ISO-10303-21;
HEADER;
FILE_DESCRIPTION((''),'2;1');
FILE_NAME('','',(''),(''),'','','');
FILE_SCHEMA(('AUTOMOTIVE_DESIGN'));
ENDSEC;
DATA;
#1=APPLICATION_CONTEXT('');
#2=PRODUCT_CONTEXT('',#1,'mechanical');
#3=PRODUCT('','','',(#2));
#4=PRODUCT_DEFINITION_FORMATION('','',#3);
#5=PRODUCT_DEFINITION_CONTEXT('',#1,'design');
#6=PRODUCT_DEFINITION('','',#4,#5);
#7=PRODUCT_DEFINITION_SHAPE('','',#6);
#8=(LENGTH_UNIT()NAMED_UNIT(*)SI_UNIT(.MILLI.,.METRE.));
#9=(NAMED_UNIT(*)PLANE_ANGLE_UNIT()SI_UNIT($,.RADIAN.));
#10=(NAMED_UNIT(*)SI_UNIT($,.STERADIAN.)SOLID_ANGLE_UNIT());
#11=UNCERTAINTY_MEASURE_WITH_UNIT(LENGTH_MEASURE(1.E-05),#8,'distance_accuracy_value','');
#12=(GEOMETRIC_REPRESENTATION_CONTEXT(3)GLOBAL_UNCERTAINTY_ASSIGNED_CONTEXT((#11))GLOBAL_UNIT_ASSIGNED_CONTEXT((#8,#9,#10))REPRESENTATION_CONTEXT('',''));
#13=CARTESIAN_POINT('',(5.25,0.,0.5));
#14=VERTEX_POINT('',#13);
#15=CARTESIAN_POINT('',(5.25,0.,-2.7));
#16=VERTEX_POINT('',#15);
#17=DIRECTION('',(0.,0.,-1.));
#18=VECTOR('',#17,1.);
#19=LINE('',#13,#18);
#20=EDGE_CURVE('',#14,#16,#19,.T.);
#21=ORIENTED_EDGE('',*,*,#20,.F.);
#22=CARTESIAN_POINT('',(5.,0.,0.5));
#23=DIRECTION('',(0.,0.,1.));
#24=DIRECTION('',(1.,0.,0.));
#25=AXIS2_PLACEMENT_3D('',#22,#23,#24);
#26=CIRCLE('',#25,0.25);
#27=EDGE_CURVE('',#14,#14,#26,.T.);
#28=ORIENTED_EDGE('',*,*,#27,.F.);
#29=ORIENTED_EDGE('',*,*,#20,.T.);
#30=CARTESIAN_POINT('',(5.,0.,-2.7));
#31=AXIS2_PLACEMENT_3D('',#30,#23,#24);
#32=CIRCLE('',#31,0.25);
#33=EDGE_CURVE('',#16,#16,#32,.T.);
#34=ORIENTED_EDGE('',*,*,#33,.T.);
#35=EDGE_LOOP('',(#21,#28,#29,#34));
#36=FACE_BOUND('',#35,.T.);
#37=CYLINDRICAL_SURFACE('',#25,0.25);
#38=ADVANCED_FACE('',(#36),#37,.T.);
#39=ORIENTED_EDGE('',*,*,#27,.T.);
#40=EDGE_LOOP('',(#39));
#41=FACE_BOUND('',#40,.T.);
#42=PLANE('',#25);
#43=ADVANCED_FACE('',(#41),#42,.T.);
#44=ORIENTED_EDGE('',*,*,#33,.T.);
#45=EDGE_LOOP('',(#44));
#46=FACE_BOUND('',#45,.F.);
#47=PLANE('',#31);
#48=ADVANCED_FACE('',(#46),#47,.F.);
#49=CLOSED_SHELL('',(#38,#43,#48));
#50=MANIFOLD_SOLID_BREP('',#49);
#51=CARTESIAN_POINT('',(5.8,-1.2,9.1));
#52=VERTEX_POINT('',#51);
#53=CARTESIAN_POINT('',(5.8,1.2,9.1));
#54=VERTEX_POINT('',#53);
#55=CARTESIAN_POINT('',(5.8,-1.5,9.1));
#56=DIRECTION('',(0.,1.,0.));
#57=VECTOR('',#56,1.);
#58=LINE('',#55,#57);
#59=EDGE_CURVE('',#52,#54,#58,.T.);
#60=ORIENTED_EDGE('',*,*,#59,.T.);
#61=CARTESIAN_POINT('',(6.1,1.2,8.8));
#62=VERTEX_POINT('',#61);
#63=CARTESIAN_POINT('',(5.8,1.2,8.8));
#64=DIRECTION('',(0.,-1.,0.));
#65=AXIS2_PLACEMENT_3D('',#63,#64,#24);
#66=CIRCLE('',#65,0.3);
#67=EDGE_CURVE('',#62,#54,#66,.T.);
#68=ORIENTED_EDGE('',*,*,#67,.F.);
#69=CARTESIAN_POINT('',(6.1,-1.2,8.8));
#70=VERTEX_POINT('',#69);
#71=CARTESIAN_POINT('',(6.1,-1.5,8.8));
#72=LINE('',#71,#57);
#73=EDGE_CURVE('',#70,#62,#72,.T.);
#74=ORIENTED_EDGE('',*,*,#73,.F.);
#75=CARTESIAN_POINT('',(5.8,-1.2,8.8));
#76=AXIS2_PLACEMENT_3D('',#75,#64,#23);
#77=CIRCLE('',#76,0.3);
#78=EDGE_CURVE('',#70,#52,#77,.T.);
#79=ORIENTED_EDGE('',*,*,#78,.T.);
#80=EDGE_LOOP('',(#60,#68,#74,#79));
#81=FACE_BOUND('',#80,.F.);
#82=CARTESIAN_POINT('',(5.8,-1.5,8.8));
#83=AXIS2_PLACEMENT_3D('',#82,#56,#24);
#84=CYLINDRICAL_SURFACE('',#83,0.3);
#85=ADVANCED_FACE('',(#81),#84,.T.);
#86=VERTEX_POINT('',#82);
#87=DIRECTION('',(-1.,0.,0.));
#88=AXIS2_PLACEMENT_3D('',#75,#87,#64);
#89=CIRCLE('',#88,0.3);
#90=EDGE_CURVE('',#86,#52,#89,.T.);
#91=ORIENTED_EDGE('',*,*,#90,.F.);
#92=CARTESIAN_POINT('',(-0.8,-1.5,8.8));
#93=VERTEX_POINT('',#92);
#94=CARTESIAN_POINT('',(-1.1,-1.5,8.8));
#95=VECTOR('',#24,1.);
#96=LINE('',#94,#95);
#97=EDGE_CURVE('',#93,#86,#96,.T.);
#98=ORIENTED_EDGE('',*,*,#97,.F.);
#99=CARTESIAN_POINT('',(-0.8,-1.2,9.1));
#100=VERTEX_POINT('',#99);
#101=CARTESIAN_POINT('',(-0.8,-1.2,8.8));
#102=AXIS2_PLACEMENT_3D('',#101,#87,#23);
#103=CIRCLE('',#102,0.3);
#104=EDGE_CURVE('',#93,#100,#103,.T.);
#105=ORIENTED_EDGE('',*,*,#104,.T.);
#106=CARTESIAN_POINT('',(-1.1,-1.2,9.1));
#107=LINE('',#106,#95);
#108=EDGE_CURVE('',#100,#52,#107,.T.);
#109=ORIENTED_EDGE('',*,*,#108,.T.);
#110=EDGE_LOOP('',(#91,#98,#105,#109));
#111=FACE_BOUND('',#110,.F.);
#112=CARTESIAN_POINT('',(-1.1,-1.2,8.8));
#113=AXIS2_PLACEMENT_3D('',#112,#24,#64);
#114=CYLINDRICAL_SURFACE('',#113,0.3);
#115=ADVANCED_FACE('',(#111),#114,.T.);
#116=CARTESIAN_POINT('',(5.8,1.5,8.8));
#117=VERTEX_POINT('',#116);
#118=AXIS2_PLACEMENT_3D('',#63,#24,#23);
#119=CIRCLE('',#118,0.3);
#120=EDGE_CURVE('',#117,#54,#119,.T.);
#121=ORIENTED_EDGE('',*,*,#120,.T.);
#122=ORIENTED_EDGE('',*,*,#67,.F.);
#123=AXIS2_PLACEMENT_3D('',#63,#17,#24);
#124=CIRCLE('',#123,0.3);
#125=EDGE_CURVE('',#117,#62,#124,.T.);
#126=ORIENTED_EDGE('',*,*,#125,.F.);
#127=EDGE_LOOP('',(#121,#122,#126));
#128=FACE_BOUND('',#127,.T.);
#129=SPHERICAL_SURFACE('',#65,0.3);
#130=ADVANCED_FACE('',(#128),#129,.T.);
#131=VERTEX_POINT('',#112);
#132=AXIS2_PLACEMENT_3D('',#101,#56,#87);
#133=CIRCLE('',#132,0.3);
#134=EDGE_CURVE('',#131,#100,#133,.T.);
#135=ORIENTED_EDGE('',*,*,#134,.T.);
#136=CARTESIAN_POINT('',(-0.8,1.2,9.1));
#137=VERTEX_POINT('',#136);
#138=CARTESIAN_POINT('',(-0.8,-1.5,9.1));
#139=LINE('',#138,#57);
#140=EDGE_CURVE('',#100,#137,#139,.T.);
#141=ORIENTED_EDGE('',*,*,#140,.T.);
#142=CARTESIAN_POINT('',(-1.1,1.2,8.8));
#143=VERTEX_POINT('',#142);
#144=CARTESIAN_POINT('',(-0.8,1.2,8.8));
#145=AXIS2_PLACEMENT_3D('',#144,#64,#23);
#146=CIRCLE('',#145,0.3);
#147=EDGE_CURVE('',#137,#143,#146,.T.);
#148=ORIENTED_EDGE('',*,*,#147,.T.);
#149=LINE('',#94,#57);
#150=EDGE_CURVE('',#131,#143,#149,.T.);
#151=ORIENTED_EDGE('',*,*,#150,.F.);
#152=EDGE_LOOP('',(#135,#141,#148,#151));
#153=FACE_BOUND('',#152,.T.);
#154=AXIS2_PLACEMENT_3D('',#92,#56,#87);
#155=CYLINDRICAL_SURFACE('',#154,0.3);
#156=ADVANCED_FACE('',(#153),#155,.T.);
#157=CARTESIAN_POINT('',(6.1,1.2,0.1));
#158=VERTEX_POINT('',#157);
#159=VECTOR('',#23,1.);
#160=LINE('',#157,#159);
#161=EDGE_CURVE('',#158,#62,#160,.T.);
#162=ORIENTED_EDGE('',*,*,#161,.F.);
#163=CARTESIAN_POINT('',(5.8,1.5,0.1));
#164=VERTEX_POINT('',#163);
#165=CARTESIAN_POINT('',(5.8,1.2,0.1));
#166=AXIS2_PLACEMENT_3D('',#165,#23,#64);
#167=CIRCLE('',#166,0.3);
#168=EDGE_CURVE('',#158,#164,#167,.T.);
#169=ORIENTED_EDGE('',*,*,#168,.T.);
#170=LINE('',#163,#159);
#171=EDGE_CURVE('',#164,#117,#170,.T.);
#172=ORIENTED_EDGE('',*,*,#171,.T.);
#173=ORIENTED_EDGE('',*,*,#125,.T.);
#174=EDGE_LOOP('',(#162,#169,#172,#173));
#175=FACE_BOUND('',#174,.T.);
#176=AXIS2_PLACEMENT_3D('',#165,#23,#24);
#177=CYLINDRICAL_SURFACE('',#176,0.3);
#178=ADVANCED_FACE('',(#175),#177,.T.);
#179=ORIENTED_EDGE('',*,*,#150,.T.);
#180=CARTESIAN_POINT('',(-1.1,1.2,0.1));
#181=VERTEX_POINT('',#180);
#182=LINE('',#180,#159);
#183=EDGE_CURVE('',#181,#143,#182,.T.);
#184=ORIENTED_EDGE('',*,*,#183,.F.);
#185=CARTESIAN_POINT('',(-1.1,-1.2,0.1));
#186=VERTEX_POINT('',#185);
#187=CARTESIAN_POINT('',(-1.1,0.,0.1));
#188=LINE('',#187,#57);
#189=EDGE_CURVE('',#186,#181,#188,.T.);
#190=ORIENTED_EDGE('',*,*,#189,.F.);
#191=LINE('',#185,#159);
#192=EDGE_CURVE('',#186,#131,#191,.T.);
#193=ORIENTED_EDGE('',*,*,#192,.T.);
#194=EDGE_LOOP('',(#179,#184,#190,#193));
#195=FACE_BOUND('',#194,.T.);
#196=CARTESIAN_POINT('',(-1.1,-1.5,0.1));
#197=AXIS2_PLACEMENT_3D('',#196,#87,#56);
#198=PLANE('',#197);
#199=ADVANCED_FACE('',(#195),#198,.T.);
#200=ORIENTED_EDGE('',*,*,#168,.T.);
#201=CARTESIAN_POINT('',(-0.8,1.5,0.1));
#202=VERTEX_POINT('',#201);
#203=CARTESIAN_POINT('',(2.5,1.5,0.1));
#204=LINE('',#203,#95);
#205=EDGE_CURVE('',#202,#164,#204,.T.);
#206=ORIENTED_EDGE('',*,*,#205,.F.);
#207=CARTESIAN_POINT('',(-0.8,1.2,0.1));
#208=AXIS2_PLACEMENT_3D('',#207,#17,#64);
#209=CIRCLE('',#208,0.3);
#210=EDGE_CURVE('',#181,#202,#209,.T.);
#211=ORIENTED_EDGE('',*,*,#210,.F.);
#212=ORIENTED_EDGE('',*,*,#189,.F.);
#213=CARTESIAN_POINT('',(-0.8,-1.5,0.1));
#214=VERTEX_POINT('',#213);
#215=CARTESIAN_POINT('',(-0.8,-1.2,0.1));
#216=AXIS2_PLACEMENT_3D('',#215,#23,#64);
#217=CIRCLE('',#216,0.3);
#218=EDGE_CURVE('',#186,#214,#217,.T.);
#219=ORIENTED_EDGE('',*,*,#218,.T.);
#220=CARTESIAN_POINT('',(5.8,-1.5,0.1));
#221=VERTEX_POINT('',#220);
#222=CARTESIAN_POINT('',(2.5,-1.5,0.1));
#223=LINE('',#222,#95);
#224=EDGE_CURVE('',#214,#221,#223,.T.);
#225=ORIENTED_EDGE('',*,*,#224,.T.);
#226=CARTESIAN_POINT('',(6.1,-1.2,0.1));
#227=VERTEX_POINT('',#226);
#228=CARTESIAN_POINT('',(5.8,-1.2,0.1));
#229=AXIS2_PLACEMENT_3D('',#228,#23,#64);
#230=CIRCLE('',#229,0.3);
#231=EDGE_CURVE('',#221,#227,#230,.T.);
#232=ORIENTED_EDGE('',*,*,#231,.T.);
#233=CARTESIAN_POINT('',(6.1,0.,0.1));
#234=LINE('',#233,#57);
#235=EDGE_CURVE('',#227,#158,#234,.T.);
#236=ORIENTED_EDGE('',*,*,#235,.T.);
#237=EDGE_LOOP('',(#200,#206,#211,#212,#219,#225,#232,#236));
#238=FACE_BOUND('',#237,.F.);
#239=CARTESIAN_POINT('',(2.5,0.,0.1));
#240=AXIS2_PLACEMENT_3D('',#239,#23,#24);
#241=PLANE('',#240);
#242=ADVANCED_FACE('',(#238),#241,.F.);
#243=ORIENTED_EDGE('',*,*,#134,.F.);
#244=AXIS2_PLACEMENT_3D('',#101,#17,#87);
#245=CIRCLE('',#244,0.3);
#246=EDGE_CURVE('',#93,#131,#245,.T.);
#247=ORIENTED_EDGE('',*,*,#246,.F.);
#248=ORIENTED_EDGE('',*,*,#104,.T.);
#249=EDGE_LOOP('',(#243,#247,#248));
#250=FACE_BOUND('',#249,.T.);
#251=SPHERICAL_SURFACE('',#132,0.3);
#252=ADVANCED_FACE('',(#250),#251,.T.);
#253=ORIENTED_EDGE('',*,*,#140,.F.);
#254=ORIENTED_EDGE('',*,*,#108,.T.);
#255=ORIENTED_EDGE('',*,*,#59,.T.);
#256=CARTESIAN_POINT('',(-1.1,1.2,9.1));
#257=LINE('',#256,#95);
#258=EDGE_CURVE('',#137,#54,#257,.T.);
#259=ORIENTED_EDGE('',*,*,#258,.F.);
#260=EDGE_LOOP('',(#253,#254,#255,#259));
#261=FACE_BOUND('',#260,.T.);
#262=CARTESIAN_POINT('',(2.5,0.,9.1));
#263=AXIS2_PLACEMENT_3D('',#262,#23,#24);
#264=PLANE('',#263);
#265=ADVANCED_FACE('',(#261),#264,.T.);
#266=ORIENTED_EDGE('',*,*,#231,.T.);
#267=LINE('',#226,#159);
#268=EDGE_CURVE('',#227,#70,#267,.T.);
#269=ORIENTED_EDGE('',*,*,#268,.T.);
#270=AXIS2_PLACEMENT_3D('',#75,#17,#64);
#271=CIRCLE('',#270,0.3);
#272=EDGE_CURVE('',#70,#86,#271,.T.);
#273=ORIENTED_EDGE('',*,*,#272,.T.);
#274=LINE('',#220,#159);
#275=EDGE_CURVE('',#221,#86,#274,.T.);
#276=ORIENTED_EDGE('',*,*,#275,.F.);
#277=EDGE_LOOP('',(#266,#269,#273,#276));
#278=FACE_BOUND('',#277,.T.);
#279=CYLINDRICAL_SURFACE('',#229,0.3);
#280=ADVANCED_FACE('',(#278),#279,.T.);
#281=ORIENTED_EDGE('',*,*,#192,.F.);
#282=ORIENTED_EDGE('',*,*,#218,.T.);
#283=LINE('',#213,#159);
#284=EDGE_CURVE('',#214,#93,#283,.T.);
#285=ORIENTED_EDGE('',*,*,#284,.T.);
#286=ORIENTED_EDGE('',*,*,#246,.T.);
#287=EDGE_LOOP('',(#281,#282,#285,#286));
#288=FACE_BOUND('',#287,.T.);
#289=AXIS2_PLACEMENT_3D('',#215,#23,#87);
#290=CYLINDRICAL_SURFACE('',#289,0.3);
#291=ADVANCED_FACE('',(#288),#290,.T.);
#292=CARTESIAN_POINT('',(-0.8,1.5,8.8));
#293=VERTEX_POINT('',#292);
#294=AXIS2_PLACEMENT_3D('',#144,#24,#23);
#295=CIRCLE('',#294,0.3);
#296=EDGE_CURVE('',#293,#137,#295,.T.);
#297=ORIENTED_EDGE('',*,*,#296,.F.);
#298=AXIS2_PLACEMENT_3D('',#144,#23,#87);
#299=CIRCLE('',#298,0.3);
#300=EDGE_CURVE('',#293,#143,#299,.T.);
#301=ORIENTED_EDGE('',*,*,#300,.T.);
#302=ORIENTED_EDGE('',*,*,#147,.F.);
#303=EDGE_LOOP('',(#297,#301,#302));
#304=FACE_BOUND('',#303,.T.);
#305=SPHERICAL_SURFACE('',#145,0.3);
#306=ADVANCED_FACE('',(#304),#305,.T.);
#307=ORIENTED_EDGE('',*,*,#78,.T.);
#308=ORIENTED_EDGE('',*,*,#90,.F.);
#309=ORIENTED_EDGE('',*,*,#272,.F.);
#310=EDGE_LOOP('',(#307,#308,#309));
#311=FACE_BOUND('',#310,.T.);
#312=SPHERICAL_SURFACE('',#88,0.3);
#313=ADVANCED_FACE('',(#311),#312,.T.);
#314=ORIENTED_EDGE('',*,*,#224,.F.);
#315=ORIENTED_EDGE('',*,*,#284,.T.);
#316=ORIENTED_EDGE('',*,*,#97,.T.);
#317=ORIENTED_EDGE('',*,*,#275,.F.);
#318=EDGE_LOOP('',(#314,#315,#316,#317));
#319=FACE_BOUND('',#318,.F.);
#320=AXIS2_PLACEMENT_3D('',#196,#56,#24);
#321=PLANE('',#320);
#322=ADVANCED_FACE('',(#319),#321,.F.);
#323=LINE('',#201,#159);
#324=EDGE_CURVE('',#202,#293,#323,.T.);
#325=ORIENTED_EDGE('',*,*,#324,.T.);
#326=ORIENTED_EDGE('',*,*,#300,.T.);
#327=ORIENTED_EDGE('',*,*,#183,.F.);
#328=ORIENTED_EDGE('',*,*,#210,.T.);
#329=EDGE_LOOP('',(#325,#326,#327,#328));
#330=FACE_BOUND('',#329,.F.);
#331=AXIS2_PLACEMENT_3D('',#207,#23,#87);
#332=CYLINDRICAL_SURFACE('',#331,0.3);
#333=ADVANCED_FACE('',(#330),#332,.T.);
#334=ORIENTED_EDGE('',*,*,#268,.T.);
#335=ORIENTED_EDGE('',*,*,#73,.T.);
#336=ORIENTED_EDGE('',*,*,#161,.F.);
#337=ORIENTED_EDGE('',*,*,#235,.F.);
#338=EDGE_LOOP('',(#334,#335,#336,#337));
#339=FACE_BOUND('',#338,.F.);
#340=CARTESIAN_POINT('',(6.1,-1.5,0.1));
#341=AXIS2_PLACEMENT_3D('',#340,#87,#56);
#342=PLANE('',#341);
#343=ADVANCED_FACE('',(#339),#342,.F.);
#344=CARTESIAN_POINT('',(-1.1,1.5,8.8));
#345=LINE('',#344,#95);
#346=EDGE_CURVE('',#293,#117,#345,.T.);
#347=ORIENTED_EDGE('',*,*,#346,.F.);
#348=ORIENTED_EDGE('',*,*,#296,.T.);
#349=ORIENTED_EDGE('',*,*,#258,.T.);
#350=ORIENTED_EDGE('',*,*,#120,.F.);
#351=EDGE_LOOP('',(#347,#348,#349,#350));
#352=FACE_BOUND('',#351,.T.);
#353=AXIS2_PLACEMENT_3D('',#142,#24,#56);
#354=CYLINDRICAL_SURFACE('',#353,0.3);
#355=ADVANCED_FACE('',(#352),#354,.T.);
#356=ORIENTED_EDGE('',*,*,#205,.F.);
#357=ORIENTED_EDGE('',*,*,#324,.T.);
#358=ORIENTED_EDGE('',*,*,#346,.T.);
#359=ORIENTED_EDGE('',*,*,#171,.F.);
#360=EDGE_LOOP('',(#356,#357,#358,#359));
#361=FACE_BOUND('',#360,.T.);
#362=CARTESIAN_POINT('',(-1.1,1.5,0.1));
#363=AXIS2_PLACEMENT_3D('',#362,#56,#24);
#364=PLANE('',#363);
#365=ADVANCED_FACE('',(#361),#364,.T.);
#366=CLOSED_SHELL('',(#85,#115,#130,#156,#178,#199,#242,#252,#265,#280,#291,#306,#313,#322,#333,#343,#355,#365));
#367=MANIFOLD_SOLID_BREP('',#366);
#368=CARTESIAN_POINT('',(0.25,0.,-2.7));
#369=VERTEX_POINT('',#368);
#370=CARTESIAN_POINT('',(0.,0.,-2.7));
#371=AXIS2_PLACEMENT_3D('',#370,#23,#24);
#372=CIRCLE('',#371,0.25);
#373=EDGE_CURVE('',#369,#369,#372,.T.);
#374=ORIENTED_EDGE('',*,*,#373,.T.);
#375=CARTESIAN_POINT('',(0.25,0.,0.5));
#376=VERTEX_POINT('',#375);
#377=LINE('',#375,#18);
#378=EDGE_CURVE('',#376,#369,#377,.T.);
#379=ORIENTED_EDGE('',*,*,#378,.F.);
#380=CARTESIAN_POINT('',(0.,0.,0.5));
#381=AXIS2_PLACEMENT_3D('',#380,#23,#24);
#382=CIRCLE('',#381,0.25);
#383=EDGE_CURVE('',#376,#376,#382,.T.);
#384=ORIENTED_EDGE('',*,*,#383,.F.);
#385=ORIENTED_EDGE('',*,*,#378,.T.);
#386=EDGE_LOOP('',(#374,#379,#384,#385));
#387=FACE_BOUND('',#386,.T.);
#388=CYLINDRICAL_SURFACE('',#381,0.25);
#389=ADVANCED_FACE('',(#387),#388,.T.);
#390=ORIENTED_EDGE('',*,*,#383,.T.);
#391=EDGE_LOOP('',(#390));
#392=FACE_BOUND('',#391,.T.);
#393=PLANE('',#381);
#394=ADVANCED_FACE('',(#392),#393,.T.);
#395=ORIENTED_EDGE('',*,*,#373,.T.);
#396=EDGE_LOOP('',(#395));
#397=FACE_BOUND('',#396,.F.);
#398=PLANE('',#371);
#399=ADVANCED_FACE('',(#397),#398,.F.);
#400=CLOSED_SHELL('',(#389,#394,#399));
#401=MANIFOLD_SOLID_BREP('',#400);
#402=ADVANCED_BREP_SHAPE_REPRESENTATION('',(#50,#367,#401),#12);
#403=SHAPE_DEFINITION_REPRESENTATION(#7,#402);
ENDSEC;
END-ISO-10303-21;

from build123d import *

# Parameters (mm, degrees)
SKETCH_W     = 7.2
SKETCH_H     = 3
PAD_DEPTH    = 9
FILLET_R     = 0.3
SKETCH001_R  = 0.25
PAD001_DEPTH = 3.2


with BuildPart() as fillet_body:
    # Sketch → Pad (new body)
    with BuildSketch(Plane.XY.offset(0.1)):
        with Locations((2.5, 0)):
            Rectangle(SKETCH_W, SKETCH_H)
    extrude(amount=PAD_DEPTH)

    # Fillet
    fillet_edges = [fillet_body.edges().sort_by_distance(p)[0] for p in [
        (-1.1, 0, 9.1),
        (-1.1, -1.5, 4.6),
        (2.5, -1.5, 9.1),
        (6.1, -1.5, 4.6),
        (6.1, 0, 9.1),
        (6.1, 1.5, 4.6),
        (2.5, 1.5, 9.1),
        (-1.1, 1.5, 4.6),
    ]]
    fillet(fillet_edges, radius=FILLET_R)


with BuildPart() as pad001:
    # Sketch001 → Pad001 (new body)
    with BuildSketch(Plane.XY.offset(0.5)):
        Circle(SKETCH001_R)
        with Locations((5, 0)):
            Circle(SKETCH001_R)
    extrude(amount=-PAD001_DEPTH)


solid = Compound([fillet_body.part, pad001.part])
